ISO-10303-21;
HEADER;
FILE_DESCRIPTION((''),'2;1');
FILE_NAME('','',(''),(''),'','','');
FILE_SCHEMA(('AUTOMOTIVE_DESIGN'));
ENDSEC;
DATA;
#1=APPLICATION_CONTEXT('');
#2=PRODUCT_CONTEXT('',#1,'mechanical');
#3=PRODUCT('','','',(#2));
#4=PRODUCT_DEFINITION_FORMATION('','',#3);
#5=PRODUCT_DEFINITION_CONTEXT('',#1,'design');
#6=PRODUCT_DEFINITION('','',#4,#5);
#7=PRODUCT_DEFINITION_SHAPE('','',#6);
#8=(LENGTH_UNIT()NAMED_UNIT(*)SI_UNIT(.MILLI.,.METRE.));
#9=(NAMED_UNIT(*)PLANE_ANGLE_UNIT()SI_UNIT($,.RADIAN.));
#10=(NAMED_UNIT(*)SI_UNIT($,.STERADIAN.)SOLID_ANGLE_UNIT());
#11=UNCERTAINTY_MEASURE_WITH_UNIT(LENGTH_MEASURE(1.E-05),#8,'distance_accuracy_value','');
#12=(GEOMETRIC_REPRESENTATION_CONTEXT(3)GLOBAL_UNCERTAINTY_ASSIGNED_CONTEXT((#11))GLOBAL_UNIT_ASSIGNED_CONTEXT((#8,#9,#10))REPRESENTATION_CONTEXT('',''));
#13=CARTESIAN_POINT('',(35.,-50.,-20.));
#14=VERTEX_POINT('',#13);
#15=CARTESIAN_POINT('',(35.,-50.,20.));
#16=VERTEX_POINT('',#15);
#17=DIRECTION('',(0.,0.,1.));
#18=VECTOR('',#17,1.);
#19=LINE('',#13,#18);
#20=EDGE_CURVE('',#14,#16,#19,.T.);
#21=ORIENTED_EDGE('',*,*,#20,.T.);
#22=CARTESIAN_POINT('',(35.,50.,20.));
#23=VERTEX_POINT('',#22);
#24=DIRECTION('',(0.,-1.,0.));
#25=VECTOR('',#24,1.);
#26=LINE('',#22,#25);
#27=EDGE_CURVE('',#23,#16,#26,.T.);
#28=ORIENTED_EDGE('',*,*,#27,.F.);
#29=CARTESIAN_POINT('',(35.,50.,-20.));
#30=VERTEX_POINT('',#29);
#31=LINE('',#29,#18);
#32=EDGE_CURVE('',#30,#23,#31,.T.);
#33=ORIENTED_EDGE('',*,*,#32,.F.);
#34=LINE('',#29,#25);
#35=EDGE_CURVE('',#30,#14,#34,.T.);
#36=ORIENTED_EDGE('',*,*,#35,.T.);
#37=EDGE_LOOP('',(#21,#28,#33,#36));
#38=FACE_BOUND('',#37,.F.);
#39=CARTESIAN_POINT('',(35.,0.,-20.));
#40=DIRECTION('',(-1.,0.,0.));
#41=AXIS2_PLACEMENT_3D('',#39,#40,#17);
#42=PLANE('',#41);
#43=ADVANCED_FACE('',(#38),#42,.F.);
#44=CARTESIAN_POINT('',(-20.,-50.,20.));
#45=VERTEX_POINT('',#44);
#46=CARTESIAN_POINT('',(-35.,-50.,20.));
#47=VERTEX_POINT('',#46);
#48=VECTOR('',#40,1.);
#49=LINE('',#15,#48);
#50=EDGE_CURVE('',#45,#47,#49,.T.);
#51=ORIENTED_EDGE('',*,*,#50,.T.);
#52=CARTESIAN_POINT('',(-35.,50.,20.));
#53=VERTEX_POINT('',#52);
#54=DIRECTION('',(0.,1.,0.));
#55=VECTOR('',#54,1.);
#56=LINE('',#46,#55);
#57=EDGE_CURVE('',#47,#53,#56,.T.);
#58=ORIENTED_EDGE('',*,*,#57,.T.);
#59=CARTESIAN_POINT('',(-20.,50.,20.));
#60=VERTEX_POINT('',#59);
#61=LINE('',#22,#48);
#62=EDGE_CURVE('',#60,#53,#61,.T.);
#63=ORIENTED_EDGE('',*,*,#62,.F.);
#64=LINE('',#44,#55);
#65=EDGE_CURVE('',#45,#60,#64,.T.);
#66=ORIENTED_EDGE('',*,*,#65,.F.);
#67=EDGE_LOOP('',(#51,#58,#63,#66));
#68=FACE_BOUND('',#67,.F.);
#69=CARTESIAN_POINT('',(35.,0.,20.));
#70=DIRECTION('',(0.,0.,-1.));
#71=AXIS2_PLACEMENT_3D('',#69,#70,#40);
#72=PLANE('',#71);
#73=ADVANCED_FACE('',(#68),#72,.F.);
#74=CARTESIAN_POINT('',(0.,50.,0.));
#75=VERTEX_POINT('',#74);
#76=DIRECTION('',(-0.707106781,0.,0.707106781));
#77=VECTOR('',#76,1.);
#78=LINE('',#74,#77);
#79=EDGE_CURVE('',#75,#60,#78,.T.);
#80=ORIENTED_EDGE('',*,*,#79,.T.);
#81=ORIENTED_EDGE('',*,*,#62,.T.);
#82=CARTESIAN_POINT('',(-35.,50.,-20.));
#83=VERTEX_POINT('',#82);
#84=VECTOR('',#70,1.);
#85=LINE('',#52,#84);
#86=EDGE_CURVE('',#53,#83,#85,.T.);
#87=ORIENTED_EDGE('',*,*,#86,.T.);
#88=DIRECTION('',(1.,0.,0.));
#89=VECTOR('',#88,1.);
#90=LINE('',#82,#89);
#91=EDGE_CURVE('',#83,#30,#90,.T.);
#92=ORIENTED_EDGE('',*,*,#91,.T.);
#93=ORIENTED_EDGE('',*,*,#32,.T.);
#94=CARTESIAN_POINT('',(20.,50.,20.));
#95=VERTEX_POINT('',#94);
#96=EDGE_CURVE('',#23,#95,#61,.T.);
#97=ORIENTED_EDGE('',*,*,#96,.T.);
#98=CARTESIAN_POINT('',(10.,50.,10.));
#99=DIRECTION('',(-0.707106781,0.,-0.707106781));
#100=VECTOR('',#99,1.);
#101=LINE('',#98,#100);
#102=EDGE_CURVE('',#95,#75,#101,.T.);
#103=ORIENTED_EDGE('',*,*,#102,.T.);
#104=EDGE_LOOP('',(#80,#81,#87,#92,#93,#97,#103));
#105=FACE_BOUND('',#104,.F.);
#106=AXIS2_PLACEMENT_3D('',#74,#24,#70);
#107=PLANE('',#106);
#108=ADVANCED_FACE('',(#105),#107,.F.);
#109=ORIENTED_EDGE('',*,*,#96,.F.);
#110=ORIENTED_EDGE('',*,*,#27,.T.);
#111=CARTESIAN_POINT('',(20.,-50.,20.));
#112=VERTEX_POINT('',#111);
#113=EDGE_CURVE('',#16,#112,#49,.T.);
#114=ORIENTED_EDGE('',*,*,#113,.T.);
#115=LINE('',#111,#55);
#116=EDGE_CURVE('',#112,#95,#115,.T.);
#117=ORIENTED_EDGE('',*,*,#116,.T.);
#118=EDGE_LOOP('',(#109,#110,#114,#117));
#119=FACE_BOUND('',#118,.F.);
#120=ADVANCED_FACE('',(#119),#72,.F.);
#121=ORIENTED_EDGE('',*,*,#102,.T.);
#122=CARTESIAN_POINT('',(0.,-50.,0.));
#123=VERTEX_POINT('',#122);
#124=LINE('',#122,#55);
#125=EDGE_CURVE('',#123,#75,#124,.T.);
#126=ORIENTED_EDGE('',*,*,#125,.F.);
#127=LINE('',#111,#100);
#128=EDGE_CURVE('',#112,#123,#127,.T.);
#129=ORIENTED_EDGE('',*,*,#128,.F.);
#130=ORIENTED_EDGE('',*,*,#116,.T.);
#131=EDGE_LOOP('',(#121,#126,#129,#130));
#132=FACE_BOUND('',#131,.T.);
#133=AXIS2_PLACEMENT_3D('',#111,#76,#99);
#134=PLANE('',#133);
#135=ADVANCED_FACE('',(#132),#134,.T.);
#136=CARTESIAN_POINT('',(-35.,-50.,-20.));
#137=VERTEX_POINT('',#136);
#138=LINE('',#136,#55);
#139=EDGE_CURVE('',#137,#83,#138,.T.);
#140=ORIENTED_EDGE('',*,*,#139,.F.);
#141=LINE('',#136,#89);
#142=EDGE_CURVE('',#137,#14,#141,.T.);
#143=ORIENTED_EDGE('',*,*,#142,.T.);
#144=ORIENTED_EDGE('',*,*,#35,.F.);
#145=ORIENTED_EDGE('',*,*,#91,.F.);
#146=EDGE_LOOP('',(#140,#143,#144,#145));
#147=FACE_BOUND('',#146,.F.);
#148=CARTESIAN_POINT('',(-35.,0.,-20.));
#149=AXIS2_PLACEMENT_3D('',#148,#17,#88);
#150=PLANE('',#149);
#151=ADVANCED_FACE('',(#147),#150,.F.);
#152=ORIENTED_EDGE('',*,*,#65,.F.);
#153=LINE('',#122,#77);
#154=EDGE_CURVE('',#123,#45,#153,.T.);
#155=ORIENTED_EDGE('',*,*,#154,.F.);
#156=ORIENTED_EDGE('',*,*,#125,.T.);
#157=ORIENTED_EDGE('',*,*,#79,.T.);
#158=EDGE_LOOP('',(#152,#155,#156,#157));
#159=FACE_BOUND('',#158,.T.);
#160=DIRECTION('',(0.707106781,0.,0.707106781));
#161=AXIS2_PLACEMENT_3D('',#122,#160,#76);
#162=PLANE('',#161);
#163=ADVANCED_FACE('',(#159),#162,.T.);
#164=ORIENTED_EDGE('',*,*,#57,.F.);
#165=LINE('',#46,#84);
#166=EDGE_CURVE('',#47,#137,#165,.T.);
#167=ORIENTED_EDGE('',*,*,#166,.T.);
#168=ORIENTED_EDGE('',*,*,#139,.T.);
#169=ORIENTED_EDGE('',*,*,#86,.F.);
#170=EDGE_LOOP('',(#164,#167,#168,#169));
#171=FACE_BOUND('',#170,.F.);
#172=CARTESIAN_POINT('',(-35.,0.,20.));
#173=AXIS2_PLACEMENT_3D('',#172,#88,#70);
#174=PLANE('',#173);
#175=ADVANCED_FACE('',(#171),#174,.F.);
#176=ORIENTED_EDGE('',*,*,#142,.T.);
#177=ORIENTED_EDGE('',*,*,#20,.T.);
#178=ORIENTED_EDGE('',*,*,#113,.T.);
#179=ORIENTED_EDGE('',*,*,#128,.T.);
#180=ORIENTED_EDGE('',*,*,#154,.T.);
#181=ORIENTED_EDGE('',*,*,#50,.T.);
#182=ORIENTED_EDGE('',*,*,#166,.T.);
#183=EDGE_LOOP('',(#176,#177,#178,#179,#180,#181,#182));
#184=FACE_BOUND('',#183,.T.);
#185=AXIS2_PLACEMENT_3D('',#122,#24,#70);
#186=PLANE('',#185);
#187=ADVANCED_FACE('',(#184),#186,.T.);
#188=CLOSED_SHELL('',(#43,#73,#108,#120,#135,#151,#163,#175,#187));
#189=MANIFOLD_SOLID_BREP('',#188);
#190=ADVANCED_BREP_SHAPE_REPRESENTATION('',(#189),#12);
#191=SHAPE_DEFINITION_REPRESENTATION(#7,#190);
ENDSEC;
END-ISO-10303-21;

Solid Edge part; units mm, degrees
sketch "Sketch1" plane through (0, 0, 0) normal (0, -1, 0) x (1, 0, 0)
  line L0 (-35, -20) -> (35, -20)
  line L1 (35, -20) -> (35, 20)
  line L2 (35, 20) -> (-35, 20)
  line L3 (-35, 20) -> (-35, -20)
  dimension "D1" = 70
  dimension "D2" = 40
extrude "Protrusion1" add sketch "Sketch1" along normal mid plane 100
sketch "Sketch2" plane through (0, -50, 0) normal (0, -1, 0) x (1, 0, 0)
  line L0 (0, 0) -> (-20, 20)
  line L1 (-20, 20) -> (20, 20)
  line L2 (20, 20) -> (0, 0)
  dimension "D1" = 40
extrude "Cutout1" cut sketch "Sketch2" against normal through all
